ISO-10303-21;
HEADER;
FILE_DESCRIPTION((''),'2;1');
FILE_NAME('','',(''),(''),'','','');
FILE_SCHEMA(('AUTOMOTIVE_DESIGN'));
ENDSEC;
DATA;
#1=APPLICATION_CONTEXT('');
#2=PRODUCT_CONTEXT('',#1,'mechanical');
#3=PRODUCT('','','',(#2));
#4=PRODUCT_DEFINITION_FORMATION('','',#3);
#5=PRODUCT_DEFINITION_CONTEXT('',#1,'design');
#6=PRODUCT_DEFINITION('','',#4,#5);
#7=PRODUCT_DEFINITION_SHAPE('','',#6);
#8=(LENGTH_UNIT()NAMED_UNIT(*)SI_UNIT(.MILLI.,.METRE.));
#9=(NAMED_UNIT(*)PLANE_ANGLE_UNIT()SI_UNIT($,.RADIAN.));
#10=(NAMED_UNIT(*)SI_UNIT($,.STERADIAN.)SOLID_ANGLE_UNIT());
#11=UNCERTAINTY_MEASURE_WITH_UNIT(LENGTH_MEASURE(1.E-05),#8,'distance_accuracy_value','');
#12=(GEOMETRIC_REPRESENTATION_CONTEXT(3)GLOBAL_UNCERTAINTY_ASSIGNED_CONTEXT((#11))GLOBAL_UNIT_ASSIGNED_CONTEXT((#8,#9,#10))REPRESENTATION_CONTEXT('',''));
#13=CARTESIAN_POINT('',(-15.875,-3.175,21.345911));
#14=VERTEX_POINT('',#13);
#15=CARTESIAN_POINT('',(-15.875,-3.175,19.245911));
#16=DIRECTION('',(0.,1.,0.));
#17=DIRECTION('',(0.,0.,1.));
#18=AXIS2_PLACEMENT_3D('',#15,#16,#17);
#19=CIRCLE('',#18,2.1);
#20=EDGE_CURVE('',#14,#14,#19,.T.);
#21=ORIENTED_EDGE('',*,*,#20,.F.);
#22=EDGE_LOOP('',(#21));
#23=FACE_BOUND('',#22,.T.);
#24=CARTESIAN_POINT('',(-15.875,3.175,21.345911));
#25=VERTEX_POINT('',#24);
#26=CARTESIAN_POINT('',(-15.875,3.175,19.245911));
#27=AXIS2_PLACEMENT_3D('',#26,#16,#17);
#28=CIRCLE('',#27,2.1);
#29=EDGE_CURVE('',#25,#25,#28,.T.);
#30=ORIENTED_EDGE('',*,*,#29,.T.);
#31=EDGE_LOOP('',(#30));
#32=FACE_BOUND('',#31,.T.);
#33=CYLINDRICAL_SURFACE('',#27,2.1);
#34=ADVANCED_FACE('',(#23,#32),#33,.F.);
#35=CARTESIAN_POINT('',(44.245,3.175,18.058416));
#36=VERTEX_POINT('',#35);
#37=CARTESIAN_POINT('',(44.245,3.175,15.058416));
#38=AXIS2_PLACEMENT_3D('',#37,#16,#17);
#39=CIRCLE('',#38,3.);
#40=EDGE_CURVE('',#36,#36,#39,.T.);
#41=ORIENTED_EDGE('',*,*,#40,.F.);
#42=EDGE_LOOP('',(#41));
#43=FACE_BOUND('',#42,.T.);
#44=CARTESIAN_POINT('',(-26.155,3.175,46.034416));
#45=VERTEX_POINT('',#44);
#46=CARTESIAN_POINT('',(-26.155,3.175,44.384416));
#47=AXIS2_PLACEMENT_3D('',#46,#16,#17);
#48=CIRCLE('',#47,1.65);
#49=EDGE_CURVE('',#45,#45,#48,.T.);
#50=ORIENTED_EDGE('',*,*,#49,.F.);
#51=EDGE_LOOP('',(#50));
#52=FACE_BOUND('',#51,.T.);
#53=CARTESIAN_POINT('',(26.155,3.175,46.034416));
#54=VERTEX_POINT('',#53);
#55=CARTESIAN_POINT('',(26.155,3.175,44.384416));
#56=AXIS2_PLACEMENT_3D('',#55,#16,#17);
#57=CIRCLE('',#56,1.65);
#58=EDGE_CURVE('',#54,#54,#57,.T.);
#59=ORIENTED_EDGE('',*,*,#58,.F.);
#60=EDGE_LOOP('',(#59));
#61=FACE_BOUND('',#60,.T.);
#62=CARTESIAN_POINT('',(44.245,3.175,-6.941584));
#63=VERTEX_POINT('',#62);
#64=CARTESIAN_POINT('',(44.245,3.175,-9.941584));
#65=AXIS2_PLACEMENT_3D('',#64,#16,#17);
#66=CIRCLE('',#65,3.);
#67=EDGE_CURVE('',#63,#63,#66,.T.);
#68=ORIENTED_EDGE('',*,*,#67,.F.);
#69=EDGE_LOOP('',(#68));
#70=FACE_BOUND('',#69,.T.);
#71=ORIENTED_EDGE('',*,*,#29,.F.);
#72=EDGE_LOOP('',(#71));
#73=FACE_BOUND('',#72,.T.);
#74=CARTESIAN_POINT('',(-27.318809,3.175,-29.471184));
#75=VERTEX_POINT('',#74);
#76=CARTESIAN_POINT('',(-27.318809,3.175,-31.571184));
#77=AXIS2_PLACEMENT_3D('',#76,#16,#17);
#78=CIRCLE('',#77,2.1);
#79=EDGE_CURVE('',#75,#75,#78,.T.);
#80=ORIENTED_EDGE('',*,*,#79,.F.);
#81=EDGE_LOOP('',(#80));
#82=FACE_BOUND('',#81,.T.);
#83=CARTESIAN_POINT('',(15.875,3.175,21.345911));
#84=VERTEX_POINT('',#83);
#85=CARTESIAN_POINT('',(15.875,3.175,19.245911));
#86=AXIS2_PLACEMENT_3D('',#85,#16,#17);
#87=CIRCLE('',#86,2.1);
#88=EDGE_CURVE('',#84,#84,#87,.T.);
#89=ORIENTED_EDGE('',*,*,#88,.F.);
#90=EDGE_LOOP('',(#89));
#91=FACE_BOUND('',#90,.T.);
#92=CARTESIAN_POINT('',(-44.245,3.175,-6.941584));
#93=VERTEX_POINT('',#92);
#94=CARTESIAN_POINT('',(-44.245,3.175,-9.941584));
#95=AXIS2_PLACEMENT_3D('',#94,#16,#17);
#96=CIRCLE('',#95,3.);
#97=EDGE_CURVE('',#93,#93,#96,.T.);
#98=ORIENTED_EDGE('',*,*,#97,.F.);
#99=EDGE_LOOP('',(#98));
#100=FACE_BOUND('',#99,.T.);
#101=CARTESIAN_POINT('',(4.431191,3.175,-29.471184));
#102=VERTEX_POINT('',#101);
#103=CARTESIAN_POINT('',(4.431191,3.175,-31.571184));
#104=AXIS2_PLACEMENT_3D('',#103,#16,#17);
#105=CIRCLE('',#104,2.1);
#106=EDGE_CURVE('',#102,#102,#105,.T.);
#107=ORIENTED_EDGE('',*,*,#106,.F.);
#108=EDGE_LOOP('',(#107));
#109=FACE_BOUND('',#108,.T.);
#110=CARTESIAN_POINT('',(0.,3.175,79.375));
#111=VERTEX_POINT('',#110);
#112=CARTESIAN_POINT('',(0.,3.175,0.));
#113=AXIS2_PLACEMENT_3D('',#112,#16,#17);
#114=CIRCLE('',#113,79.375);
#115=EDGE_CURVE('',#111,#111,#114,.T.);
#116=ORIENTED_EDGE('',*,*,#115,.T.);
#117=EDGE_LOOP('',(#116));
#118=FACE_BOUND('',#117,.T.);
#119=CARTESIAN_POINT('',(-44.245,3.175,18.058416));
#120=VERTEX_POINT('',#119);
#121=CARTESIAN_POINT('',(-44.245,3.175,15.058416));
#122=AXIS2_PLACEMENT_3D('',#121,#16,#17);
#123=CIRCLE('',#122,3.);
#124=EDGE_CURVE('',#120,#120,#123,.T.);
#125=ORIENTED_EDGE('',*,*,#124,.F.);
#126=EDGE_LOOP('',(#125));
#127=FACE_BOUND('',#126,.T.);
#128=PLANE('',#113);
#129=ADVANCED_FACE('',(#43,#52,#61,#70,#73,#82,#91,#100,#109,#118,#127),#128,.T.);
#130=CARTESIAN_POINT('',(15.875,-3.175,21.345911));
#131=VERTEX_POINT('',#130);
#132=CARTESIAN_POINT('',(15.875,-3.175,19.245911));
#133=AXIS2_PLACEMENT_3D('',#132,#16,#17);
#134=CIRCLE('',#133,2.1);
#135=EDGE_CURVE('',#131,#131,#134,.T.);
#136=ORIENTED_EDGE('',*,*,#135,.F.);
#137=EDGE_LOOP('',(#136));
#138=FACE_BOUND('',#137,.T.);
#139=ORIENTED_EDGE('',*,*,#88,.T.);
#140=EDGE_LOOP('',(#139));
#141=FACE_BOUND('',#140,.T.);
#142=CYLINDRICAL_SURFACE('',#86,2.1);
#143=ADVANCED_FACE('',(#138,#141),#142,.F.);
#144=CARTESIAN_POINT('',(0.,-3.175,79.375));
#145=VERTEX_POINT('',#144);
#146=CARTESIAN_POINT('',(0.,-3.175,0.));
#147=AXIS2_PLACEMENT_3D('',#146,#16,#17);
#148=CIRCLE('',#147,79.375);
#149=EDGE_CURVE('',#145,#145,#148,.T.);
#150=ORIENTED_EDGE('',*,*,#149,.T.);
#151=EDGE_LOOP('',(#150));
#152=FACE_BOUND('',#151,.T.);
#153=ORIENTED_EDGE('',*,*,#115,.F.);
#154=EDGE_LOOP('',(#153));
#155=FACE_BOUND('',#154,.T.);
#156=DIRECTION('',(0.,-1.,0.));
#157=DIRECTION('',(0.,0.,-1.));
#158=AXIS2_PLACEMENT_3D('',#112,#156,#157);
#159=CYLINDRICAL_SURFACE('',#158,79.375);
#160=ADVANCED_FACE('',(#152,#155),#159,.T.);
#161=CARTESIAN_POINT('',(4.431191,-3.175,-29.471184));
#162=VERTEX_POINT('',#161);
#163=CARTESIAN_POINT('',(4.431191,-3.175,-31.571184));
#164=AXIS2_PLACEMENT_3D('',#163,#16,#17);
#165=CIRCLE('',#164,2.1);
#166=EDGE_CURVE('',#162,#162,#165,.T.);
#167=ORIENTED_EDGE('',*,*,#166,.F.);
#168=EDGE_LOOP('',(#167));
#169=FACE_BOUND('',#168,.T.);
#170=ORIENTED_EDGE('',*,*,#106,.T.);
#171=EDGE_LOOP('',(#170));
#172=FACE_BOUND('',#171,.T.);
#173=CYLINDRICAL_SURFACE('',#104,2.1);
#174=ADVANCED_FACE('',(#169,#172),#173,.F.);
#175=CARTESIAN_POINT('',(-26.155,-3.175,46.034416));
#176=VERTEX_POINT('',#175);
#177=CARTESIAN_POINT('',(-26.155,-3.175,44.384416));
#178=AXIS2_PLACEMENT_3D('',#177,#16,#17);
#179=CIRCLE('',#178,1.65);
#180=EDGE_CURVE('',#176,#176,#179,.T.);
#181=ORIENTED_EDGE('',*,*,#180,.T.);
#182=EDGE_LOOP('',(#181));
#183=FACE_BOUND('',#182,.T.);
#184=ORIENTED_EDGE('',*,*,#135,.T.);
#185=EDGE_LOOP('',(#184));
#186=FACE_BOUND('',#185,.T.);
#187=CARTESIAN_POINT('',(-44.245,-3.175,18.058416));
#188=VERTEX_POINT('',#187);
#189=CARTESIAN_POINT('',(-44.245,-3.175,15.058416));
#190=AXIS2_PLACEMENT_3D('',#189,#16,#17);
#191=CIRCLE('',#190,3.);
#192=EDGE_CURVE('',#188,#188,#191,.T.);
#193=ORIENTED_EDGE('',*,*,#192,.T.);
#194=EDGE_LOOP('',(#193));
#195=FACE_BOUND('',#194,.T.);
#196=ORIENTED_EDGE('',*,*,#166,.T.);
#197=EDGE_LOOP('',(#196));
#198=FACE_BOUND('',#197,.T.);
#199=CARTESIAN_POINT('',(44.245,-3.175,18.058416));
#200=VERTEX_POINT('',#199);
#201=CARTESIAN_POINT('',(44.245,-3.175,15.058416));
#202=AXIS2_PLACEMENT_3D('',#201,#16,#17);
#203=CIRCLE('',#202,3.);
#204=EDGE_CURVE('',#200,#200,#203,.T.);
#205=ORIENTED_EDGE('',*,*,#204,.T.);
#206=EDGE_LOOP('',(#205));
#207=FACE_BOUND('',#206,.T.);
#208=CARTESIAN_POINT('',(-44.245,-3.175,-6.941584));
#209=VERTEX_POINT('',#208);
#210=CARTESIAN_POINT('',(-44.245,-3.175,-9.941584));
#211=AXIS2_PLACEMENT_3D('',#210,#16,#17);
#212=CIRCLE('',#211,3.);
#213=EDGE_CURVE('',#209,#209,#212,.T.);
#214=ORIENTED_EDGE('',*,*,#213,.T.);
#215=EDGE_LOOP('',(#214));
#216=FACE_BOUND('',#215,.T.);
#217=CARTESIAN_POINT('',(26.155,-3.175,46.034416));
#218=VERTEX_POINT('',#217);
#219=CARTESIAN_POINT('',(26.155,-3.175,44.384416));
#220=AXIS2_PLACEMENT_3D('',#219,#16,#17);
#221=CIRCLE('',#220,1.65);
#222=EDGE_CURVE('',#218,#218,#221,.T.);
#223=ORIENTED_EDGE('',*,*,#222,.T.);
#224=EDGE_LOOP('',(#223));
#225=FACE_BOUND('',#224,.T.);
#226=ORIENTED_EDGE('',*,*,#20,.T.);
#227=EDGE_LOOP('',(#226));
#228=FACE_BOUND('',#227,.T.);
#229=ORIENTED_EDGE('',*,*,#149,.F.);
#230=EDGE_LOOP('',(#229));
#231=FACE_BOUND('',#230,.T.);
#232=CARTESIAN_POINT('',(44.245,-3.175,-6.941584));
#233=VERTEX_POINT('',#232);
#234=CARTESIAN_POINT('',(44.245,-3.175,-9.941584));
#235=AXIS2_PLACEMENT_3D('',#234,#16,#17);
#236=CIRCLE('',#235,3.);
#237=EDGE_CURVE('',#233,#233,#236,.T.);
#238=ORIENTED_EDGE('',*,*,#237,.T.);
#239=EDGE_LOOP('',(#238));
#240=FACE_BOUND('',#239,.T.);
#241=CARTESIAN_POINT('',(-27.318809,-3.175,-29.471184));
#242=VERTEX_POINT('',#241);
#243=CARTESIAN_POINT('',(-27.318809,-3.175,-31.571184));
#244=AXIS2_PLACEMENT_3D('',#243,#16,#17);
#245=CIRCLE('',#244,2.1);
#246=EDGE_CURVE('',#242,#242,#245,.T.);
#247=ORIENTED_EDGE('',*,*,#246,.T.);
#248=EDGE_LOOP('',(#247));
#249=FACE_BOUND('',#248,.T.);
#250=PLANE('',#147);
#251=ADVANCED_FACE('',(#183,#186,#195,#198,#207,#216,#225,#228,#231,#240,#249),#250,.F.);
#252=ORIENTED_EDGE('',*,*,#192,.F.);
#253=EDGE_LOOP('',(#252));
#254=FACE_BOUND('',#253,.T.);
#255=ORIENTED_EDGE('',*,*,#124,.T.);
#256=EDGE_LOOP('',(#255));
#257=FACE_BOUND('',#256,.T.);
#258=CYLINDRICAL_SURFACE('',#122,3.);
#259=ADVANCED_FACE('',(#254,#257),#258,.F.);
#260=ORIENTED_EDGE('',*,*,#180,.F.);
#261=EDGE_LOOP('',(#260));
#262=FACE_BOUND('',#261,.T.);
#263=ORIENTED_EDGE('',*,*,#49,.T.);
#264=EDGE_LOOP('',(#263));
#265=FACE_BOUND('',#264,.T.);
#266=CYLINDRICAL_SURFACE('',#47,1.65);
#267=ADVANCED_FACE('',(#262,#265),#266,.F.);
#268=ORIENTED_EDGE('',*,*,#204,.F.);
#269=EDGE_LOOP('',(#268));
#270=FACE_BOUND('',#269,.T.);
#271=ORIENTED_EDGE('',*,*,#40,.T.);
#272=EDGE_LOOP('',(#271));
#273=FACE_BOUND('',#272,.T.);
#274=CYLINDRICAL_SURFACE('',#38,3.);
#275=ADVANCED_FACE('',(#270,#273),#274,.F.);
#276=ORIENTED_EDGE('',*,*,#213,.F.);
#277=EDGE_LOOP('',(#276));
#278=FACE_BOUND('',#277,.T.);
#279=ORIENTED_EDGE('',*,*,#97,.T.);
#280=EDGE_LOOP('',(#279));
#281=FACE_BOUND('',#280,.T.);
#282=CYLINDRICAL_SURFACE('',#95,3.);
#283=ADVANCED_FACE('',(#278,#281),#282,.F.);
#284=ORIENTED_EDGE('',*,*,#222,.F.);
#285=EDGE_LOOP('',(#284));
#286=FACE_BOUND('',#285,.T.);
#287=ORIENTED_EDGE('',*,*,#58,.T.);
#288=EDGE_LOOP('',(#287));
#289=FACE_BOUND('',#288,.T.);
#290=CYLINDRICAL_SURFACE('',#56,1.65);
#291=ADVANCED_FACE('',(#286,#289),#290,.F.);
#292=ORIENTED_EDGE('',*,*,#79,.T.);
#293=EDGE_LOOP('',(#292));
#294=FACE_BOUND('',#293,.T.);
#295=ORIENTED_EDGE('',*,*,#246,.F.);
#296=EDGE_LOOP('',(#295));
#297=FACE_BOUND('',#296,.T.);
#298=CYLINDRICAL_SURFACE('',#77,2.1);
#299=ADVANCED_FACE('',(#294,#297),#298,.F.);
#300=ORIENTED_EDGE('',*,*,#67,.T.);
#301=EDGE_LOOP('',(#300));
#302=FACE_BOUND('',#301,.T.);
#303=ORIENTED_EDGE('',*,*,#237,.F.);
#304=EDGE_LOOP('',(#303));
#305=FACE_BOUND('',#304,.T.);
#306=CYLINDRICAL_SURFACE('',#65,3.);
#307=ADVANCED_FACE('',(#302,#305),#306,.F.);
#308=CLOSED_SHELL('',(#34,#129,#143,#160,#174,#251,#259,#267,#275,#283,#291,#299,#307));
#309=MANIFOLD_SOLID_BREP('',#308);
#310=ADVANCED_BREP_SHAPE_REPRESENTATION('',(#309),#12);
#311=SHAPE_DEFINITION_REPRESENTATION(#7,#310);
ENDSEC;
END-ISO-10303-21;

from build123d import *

# Parameters (mm, degrees)
SKETCH1_R                   = 79.375
BOSS_EXTRUDE1_DEPTH         = 3.175
TAP_DRILL_FOR_M5X0_8_TAP1_D = 4.2
TAP_DRILL_FOR_M7X1_0_TAP1_D = 6
TAP_DRILL_FOR_M4X0_7_TAP1_D = 3.3


with BuildPart() as part:
    # Sketch1 → Boss-Extrude1 (new, symmetric)
    with BuildSketch(Plane(origin=(0, 0, 0), x_dir=(1, 0, 0), z_dir=(0, 1, 0))):
        with Locations(Location((0, 0, 0), (0, 0, 270))):
            Circle(SKETCH1_R)
    extrude(amount=BOSS_EXTRUDE1_DEPTH, both=True)

    # Tap Drill for M5x0.8 Tap1 (through all)
    with Locations(Plane(origin=(0, 3.175, 0), x_dir=(1, 0, 0), z_dir=(0, 1, 0))):
        with Locations((-27.3188086, 31.571183672), (4.4311914, 31.571183672), (-15.875, -19.245910728), (15.875, -19.245910728)):
            Hole(TAP_DRILL_FOR_M5X0_8_TAP1_D / 2)

    # Tap Drill for M7x1.0 Tap1 (through all)
    with Locations(Plane(origin=(0, 3.175, 0), x_dir=(1, 0, 0), z_dir=(0, 1, 0))):
        with Locations((-44.245, 9.941583672), (-44.245, -15.058416328), (44.245, 9.941583672), (44.245, -15.058416328)):
            Hole(TAP_DRILL_FOR_M7X1_0_TAP1_D / 2)

    # Tap Drill for M4x0.7 Tap1 (through all)
    with Locations(Plane(origin=(0, 3.175, 0), x_dir=(1, 0, 0), z_dir=(0, 1, 0))):
        with Locations((-26.155, -44.384416328), (26.155, -44.384416328)):
            Hole(TAP_DRILL_FOR_M4X0_7_TAP1_D / 2)


solid = part.part
